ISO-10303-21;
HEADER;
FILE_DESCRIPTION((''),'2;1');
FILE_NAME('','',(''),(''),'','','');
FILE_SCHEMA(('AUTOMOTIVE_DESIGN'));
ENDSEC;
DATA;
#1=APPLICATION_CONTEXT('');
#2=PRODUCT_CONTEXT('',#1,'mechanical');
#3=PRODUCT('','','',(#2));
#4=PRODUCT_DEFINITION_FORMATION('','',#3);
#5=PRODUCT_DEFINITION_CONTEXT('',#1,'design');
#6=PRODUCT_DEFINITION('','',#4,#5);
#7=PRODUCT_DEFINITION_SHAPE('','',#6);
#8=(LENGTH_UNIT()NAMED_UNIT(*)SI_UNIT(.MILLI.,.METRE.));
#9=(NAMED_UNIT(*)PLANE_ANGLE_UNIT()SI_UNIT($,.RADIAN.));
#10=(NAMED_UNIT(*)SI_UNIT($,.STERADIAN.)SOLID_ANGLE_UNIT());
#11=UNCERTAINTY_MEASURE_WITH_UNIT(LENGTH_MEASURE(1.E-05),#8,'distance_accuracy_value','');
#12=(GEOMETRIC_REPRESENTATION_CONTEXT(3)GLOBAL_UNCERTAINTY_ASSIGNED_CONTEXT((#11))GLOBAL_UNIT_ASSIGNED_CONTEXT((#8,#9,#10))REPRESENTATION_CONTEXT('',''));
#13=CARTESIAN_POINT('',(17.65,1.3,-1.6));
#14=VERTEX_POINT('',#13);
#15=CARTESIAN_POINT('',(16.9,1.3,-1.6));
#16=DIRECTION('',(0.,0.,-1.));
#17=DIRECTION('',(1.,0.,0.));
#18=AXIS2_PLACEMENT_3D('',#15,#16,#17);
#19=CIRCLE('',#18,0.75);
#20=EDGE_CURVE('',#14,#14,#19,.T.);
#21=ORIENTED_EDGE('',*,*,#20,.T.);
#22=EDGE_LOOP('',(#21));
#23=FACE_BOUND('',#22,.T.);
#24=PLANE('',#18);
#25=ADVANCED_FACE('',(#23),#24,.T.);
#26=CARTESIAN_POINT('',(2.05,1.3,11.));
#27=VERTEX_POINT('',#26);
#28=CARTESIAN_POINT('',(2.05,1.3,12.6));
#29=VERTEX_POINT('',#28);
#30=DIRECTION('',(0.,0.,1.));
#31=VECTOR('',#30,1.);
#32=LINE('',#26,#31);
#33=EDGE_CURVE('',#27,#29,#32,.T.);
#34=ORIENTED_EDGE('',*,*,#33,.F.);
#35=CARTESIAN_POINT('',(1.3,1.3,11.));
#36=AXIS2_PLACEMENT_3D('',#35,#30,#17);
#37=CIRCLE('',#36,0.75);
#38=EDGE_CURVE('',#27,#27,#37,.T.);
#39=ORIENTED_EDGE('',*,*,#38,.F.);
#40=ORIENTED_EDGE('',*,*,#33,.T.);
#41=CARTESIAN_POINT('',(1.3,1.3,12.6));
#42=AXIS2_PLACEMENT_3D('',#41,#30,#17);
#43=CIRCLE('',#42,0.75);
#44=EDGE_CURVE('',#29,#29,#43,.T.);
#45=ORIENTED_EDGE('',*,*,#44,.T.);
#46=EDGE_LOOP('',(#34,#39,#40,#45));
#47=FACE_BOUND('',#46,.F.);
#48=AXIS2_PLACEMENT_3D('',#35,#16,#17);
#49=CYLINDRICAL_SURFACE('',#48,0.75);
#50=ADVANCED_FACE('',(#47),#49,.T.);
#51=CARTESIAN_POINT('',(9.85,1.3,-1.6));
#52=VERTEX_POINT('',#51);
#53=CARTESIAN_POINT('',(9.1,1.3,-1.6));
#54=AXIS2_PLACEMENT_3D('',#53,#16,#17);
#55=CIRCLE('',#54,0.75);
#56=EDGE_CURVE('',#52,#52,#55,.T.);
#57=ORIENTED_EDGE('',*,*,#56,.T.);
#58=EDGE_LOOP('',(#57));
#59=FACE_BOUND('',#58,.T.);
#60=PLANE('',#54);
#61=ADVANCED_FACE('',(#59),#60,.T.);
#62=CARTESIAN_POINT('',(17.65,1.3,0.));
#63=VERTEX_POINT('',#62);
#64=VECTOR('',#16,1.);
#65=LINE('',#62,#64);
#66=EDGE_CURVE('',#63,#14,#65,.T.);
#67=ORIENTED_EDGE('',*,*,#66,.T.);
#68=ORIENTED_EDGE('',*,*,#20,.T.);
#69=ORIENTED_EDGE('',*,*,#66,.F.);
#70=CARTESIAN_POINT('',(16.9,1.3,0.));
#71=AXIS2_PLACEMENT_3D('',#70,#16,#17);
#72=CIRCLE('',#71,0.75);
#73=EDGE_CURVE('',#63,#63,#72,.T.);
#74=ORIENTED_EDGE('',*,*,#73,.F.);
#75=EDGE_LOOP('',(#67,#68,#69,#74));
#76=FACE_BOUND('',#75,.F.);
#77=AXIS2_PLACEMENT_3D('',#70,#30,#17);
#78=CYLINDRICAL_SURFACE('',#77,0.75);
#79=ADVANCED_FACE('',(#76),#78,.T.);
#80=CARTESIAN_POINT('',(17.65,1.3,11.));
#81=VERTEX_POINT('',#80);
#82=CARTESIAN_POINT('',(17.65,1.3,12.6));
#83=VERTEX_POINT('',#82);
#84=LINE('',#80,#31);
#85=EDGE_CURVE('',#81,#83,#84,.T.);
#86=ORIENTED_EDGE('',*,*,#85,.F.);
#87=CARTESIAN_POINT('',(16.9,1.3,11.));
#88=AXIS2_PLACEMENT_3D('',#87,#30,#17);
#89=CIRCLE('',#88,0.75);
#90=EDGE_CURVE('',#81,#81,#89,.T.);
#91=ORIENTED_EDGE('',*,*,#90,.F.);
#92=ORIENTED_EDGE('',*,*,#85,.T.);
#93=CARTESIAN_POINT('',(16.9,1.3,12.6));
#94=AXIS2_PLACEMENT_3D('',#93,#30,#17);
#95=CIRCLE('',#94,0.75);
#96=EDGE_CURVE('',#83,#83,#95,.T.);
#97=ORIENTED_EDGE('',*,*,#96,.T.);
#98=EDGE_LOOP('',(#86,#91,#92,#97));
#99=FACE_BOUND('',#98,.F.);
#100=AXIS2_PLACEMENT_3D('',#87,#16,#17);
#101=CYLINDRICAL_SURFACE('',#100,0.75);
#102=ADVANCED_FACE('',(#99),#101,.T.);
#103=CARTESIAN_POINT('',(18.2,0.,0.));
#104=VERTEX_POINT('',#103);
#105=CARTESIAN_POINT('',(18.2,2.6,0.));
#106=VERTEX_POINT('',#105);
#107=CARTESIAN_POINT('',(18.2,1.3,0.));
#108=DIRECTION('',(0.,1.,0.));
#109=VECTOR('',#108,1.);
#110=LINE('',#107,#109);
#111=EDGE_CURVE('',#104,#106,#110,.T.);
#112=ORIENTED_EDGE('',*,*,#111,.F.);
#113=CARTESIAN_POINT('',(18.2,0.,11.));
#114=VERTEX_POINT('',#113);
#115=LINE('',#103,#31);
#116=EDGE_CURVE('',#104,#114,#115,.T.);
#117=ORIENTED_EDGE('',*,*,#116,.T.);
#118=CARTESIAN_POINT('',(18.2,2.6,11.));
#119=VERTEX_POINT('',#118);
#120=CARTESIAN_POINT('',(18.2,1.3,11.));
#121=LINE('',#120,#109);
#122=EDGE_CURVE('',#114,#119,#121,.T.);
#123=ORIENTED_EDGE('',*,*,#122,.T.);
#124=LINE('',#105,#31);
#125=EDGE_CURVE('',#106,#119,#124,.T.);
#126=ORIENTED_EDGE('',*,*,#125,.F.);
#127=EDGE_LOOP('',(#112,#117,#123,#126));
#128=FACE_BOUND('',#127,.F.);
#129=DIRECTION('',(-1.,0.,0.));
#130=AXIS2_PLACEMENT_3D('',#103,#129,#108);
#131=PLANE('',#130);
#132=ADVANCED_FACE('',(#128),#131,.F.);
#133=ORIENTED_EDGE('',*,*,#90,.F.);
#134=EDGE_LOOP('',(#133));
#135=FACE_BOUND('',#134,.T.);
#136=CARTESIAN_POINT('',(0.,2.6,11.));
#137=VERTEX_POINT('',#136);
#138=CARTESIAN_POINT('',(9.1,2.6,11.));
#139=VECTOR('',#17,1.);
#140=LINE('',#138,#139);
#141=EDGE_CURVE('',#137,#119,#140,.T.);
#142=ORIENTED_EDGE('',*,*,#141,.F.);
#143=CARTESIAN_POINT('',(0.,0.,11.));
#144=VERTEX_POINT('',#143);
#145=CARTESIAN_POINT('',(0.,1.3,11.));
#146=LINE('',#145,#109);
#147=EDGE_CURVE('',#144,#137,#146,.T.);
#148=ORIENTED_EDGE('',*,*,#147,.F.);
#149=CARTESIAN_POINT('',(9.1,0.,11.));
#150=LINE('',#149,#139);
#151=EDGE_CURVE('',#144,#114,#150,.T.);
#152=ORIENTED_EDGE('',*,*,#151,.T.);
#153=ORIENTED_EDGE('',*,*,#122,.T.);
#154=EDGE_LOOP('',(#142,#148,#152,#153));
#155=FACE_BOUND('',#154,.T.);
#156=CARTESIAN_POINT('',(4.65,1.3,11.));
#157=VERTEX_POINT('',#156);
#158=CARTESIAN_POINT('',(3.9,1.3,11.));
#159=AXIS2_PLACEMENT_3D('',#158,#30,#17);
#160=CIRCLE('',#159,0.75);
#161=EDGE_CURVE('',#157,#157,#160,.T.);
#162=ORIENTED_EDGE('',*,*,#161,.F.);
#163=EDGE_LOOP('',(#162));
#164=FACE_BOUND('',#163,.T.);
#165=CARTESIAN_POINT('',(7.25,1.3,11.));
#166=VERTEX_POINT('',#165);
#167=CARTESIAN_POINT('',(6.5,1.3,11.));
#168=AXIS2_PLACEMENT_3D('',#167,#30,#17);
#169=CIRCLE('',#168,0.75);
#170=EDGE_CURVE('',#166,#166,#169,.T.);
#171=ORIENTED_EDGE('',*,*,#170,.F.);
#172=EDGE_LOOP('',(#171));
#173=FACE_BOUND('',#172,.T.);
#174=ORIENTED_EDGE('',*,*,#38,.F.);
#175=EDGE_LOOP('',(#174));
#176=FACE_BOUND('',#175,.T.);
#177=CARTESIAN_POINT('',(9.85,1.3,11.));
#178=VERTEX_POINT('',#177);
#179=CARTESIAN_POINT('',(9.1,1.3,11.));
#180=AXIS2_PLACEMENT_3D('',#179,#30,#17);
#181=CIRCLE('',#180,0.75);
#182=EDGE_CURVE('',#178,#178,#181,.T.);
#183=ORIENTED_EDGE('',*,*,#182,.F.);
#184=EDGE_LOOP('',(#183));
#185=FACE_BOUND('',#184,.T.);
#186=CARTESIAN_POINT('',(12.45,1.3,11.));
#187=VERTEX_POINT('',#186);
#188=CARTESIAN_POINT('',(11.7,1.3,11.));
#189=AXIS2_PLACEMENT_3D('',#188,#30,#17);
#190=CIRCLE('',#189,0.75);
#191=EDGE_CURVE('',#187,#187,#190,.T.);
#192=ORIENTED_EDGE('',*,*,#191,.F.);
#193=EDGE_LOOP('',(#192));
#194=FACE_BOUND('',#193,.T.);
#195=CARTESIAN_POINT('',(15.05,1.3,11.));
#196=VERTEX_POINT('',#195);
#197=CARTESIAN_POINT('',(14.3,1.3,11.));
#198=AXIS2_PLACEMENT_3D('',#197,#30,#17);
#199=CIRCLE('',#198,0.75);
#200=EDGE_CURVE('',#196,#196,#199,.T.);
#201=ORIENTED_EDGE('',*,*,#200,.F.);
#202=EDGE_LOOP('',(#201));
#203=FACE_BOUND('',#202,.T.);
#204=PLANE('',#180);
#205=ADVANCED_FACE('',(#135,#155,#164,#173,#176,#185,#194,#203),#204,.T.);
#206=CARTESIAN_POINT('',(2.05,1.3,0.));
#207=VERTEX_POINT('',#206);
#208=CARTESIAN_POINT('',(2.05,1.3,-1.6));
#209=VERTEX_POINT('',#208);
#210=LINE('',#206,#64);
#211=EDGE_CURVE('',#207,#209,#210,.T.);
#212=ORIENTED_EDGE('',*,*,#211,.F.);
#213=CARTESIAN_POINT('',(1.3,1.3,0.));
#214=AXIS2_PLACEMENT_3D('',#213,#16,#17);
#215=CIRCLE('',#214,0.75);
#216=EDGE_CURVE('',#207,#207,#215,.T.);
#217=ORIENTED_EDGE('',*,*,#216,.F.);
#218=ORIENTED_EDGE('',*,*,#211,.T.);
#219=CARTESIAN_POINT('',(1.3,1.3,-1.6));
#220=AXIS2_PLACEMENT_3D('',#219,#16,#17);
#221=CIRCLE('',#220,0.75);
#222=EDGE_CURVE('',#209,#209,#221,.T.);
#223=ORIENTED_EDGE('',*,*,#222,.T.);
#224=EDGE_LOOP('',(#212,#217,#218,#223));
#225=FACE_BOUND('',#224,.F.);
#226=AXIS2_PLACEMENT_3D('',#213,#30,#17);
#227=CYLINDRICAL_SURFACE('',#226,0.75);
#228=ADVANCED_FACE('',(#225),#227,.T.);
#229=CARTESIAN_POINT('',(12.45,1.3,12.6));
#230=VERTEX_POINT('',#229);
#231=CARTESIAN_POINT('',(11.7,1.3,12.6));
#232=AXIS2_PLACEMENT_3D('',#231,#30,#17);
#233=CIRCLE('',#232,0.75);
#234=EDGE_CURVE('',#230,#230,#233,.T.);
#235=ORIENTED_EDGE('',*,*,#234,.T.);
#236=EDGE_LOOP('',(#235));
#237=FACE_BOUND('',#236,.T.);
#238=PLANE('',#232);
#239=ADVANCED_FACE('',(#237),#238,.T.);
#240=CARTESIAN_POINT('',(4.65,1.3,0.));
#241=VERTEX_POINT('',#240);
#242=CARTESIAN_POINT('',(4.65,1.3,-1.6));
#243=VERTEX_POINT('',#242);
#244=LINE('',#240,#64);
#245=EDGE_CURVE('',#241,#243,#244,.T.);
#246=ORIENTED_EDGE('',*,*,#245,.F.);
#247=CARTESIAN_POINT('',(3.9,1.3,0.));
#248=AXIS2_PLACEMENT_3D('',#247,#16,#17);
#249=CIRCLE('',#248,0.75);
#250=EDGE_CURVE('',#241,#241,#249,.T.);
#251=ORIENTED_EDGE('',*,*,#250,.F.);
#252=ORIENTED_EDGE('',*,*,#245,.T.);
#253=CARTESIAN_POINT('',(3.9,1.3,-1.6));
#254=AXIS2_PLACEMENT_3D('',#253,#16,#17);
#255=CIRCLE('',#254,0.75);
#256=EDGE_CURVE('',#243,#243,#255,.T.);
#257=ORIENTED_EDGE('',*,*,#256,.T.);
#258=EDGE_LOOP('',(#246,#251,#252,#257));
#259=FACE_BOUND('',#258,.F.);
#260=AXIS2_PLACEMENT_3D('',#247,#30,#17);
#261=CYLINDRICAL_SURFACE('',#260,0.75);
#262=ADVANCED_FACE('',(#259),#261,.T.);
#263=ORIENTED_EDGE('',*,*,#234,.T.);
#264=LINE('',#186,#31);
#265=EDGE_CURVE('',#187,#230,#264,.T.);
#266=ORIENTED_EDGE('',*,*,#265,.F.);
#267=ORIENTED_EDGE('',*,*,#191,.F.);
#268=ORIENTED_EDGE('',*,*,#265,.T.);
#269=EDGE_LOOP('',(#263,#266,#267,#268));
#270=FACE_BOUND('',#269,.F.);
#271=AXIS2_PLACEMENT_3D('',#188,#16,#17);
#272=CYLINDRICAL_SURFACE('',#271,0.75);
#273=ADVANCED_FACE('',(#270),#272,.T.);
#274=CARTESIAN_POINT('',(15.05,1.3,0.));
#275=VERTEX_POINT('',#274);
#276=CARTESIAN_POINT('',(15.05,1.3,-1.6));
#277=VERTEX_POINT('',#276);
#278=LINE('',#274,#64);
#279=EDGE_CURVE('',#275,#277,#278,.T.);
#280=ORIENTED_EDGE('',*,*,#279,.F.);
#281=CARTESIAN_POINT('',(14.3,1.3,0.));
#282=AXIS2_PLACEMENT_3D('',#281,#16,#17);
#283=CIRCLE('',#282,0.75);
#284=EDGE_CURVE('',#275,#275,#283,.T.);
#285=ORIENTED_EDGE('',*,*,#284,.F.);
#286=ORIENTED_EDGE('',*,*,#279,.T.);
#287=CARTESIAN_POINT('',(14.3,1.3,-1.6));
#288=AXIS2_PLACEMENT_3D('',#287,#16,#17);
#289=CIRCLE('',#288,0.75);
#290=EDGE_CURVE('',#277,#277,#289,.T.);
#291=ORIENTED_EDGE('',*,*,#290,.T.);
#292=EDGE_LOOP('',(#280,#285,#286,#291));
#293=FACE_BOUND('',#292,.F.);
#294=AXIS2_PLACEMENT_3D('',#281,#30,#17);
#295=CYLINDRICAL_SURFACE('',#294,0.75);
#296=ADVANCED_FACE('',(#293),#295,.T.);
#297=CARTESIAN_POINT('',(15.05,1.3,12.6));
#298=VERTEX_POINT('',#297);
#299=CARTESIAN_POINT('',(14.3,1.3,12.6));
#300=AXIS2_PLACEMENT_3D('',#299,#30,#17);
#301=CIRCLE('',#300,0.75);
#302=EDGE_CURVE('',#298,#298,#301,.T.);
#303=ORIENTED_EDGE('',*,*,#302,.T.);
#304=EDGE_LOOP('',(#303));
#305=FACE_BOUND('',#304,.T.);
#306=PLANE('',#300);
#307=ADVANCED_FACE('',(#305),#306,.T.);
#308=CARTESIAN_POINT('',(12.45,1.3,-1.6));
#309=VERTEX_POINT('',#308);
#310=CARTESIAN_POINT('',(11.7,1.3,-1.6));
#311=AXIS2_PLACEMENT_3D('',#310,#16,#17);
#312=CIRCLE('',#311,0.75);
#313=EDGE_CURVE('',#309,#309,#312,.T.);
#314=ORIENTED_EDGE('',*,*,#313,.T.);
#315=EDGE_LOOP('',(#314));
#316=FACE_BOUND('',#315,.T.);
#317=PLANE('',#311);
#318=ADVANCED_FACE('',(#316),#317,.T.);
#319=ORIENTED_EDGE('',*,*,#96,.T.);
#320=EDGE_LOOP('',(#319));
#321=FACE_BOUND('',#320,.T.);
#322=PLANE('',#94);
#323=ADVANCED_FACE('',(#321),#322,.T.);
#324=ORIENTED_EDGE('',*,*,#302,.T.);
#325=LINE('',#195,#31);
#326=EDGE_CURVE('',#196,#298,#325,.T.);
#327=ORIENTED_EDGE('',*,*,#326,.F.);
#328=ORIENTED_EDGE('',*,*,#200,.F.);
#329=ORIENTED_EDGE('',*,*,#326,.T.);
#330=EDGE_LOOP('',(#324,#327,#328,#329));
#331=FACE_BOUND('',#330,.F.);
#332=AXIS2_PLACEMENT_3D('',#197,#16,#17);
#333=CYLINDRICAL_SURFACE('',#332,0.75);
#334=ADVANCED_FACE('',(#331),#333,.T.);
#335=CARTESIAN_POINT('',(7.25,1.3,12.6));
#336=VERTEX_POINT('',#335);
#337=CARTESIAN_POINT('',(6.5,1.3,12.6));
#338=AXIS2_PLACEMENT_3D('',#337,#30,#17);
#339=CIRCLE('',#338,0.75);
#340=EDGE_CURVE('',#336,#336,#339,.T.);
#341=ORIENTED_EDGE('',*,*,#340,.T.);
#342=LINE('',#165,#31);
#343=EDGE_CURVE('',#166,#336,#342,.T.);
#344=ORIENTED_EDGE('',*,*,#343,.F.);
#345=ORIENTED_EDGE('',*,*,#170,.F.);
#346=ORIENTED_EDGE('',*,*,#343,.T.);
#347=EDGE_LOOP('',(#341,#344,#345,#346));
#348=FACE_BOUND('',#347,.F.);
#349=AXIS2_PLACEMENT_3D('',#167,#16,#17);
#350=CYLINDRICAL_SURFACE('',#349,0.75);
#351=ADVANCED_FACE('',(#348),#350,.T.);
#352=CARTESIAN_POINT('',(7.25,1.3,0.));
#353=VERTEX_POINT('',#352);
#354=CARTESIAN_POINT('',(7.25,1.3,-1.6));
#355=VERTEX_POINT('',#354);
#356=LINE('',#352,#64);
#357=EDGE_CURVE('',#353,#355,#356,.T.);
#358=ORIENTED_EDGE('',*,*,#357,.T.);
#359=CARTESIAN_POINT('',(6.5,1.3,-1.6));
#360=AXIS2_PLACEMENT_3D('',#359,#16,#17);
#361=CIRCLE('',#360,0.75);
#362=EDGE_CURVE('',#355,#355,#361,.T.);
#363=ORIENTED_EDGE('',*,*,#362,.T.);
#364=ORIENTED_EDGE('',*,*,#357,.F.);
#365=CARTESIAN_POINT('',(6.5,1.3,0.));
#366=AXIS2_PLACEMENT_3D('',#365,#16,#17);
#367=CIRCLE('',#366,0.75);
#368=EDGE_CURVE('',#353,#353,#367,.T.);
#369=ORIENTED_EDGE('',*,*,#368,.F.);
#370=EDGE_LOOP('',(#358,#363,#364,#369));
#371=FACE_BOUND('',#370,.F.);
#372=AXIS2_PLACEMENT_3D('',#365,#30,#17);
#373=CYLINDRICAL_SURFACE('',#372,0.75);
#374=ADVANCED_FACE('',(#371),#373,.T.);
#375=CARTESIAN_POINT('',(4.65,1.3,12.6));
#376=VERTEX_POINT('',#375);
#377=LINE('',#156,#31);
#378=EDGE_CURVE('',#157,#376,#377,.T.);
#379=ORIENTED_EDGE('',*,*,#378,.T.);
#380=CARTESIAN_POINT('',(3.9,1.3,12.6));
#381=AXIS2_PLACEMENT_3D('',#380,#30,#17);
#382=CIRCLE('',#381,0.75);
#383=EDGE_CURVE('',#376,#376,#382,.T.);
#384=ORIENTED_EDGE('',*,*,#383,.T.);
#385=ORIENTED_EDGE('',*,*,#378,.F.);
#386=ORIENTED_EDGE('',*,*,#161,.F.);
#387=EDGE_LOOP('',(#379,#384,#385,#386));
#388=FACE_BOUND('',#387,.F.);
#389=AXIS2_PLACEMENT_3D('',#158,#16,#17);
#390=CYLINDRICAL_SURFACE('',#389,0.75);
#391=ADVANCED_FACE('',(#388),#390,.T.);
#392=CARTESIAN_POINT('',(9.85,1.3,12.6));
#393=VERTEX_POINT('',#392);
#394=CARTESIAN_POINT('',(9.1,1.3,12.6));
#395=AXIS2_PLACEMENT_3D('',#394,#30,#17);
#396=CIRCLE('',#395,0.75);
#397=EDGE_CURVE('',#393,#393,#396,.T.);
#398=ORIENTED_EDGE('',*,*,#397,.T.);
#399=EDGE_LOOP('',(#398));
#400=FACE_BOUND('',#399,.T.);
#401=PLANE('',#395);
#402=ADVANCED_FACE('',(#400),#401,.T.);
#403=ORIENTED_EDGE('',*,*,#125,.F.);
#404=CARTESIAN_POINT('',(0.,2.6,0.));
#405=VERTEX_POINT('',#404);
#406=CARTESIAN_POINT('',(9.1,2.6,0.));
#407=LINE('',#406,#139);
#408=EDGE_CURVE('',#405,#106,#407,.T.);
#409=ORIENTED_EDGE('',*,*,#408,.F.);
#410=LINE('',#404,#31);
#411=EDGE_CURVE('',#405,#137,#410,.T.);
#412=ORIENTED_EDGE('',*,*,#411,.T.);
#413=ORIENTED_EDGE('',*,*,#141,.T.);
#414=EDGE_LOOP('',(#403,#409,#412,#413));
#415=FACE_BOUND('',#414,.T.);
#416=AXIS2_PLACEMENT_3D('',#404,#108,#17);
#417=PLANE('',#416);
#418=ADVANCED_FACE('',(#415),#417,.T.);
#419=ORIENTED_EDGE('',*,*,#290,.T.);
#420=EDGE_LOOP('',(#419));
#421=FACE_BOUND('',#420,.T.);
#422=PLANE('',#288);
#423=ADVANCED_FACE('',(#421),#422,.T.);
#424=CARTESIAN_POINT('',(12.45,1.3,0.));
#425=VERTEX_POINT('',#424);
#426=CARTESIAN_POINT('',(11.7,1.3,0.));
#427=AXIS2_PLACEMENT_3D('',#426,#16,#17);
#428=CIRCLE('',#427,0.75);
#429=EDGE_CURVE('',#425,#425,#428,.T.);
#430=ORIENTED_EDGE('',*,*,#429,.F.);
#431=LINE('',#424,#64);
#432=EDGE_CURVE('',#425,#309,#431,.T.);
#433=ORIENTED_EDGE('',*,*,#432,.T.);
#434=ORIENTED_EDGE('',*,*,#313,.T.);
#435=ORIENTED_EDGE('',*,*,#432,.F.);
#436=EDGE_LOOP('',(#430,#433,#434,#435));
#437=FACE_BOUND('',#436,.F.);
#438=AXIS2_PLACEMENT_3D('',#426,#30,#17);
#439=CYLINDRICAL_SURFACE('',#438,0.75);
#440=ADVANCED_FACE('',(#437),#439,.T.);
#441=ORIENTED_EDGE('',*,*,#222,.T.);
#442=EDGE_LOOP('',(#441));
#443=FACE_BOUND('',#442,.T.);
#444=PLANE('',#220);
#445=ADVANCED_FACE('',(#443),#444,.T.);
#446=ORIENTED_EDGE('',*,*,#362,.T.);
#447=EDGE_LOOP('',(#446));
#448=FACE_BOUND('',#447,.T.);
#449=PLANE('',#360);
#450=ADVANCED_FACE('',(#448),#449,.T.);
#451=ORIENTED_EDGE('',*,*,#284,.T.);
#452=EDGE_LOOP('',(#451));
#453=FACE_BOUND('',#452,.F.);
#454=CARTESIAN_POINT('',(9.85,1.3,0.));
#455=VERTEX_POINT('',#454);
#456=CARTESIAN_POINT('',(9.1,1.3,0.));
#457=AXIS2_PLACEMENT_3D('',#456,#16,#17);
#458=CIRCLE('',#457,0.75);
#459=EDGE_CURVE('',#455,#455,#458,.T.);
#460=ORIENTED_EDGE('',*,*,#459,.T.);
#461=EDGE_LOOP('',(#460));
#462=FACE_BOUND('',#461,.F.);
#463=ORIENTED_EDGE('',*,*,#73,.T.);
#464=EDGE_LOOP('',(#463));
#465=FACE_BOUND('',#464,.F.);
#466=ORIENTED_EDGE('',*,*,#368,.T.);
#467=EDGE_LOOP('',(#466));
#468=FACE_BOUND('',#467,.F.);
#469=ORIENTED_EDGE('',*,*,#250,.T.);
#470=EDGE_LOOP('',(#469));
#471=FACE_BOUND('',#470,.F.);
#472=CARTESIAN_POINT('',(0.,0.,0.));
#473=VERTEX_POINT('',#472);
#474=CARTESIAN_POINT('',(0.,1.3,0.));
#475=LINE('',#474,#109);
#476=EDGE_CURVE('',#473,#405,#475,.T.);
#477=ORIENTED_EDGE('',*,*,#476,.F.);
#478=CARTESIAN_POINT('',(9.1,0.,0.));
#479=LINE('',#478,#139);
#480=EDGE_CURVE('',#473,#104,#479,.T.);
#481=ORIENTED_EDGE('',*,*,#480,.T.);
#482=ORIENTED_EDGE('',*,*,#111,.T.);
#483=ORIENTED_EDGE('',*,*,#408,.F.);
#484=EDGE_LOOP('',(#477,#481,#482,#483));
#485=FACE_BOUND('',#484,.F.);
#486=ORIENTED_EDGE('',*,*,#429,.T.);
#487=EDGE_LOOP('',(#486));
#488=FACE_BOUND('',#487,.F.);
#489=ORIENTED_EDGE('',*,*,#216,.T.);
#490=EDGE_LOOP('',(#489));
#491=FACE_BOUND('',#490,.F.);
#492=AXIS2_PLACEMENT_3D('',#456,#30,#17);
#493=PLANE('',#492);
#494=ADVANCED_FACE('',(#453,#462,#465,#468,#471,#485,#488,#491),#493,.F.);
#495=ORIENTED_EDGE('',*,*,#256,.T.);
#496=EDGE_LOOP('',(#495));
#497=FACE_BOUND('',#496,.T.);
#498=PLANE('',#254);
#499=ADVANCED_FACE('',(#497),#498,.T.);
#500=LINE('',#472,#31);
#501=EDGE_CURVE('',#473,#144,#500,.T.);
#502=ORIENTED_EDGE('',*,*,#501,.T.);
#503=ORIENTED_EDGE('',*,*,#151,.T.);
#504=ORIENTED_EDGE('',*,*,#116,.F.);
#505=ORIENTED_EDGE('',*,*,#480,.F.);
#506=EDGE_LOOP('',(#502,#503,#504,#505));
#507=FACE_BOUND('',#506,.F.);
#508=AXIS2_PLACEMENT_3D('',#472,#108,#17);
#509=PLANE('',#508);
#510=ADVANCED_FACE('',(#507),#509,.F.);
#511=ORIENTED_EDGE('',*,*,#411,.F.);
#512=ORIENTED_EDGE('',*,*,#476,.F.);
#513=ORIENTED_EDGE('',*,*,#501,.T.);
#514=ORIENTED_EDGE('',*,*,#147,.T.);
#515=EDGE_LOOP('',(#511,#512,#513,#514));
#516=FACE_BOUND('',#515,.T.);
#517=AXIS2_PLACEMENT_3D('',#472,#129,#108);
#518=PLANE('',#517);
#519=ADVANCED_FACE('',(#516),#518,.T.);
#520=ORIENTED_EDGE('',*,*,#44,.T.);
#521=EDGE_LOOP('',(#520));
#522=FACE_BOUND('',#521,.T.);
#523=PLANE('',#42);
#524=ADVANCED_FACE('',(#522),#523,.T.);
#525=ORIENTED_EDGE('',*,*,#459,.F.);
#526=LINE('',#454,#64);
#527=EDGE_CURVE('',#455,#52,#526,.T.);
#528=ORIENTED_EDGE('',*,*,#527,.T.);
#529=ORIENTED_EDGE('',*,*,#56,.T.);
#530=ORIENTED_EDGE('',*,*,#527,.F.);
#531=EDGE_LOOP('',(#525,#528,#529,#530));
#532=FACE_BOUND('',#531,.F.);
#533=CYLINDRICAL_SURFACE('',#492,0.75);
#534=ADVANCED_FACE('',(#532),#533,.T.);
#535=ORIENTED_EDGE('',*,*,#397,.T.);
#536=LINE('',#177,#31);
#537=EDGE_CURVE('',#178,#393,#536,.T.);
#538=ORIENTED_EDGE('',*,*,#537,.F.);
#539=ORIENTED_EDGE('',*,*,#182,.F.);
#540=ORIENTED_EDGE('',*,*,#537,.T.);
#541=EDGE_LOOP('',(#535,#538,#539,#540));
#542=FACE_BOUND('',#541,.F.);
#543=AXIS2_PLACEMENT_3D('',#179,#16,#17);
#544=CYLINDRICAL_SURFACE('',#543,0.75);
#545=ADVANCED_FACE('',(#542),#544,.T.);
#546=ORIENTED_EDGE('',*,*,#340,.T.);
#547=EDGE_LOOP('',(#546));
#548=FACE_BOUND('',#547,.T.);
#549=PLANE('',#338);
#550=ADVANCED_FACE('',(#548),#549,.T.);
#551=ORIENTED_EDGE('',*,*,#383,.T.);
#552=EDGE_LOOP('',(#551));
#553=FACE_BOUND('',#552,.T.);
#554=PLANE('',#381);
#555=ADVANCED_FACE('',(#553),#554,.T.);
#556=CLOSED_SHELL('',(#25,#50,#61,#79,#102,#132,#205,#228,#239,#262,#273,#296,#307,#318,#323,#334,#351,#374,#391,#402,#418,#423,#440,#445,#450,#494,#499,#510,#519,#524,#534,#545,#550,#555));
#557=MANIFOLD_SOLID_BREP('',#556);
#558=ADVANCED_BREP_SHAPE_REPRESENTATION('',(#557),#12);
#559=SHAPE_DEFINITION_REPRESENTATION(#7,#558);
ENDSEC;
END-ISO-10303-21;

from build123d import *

# Parameters (mm, degrees)
F0_W     = 18.2
F0_H     = 2.6
F1_DEPTH = 11
F2_R     = 0.75
F3_DEPTH = 1.6
F4_R     = 0.75
F5_DEPTH = 1.6


with BuildPart() as f1:
    # F0 (on Top) → F1 (new body)
    with BuildSketch(Plane.XY):
        with Locations((9.1, 1.3)):
            Rectangle(F0_W, F0_H)
    extrude(amount=F1_DEPTH)

    # F2 (on face) → F3 (join)
    with BuildSketch(Plane.XY.offset(11)):
        with Locations((9.1, 1.3)):
            Circle(F2_R)
        with Locations((1.3, 1.3)):
            Circle(F2_R)
        with Locations((3.9, 1.3)):
            Circle(F2_R)
        with Locations((6.5, 1.3)):
            Circle(F2_R)
        with Locations((11.7, 1.3)):
            Circle(F2_R)
        with Locations((14.3, 1.3)):
            Circle(F2_R)
        with Locations((16.9, 1.3)):
            Circle(F2_R)
    extrude(amount=F3_DEPTH)

    # F4 (on face) → F5 (join)
    with BuildSketch(Plane(origin=(0, 0, 0), x_dir=(1, 0, 0), z_dir=(0, 0, -1))):
        with Locations((9.1, -1.3)):
            Circle(F4_R)
        with Locations((1.3, -1.3)):
            Circle(F4_R)
        with Locations((3.9, -1.3)):
            Circle(F4_R)
        with Locations((6.5, -1.3)):
            Circle(F4_R)
        with Locations((11.7, -1.3)):
            Circle(F4_R)
        with Locations((14.3, -1.3)):
            Circle(F4_R)
        with Locations((16.9, -1.3)):
            Circle(F4_R)
    extrude(amount=F5_DEPTH)


solid = f1.part
